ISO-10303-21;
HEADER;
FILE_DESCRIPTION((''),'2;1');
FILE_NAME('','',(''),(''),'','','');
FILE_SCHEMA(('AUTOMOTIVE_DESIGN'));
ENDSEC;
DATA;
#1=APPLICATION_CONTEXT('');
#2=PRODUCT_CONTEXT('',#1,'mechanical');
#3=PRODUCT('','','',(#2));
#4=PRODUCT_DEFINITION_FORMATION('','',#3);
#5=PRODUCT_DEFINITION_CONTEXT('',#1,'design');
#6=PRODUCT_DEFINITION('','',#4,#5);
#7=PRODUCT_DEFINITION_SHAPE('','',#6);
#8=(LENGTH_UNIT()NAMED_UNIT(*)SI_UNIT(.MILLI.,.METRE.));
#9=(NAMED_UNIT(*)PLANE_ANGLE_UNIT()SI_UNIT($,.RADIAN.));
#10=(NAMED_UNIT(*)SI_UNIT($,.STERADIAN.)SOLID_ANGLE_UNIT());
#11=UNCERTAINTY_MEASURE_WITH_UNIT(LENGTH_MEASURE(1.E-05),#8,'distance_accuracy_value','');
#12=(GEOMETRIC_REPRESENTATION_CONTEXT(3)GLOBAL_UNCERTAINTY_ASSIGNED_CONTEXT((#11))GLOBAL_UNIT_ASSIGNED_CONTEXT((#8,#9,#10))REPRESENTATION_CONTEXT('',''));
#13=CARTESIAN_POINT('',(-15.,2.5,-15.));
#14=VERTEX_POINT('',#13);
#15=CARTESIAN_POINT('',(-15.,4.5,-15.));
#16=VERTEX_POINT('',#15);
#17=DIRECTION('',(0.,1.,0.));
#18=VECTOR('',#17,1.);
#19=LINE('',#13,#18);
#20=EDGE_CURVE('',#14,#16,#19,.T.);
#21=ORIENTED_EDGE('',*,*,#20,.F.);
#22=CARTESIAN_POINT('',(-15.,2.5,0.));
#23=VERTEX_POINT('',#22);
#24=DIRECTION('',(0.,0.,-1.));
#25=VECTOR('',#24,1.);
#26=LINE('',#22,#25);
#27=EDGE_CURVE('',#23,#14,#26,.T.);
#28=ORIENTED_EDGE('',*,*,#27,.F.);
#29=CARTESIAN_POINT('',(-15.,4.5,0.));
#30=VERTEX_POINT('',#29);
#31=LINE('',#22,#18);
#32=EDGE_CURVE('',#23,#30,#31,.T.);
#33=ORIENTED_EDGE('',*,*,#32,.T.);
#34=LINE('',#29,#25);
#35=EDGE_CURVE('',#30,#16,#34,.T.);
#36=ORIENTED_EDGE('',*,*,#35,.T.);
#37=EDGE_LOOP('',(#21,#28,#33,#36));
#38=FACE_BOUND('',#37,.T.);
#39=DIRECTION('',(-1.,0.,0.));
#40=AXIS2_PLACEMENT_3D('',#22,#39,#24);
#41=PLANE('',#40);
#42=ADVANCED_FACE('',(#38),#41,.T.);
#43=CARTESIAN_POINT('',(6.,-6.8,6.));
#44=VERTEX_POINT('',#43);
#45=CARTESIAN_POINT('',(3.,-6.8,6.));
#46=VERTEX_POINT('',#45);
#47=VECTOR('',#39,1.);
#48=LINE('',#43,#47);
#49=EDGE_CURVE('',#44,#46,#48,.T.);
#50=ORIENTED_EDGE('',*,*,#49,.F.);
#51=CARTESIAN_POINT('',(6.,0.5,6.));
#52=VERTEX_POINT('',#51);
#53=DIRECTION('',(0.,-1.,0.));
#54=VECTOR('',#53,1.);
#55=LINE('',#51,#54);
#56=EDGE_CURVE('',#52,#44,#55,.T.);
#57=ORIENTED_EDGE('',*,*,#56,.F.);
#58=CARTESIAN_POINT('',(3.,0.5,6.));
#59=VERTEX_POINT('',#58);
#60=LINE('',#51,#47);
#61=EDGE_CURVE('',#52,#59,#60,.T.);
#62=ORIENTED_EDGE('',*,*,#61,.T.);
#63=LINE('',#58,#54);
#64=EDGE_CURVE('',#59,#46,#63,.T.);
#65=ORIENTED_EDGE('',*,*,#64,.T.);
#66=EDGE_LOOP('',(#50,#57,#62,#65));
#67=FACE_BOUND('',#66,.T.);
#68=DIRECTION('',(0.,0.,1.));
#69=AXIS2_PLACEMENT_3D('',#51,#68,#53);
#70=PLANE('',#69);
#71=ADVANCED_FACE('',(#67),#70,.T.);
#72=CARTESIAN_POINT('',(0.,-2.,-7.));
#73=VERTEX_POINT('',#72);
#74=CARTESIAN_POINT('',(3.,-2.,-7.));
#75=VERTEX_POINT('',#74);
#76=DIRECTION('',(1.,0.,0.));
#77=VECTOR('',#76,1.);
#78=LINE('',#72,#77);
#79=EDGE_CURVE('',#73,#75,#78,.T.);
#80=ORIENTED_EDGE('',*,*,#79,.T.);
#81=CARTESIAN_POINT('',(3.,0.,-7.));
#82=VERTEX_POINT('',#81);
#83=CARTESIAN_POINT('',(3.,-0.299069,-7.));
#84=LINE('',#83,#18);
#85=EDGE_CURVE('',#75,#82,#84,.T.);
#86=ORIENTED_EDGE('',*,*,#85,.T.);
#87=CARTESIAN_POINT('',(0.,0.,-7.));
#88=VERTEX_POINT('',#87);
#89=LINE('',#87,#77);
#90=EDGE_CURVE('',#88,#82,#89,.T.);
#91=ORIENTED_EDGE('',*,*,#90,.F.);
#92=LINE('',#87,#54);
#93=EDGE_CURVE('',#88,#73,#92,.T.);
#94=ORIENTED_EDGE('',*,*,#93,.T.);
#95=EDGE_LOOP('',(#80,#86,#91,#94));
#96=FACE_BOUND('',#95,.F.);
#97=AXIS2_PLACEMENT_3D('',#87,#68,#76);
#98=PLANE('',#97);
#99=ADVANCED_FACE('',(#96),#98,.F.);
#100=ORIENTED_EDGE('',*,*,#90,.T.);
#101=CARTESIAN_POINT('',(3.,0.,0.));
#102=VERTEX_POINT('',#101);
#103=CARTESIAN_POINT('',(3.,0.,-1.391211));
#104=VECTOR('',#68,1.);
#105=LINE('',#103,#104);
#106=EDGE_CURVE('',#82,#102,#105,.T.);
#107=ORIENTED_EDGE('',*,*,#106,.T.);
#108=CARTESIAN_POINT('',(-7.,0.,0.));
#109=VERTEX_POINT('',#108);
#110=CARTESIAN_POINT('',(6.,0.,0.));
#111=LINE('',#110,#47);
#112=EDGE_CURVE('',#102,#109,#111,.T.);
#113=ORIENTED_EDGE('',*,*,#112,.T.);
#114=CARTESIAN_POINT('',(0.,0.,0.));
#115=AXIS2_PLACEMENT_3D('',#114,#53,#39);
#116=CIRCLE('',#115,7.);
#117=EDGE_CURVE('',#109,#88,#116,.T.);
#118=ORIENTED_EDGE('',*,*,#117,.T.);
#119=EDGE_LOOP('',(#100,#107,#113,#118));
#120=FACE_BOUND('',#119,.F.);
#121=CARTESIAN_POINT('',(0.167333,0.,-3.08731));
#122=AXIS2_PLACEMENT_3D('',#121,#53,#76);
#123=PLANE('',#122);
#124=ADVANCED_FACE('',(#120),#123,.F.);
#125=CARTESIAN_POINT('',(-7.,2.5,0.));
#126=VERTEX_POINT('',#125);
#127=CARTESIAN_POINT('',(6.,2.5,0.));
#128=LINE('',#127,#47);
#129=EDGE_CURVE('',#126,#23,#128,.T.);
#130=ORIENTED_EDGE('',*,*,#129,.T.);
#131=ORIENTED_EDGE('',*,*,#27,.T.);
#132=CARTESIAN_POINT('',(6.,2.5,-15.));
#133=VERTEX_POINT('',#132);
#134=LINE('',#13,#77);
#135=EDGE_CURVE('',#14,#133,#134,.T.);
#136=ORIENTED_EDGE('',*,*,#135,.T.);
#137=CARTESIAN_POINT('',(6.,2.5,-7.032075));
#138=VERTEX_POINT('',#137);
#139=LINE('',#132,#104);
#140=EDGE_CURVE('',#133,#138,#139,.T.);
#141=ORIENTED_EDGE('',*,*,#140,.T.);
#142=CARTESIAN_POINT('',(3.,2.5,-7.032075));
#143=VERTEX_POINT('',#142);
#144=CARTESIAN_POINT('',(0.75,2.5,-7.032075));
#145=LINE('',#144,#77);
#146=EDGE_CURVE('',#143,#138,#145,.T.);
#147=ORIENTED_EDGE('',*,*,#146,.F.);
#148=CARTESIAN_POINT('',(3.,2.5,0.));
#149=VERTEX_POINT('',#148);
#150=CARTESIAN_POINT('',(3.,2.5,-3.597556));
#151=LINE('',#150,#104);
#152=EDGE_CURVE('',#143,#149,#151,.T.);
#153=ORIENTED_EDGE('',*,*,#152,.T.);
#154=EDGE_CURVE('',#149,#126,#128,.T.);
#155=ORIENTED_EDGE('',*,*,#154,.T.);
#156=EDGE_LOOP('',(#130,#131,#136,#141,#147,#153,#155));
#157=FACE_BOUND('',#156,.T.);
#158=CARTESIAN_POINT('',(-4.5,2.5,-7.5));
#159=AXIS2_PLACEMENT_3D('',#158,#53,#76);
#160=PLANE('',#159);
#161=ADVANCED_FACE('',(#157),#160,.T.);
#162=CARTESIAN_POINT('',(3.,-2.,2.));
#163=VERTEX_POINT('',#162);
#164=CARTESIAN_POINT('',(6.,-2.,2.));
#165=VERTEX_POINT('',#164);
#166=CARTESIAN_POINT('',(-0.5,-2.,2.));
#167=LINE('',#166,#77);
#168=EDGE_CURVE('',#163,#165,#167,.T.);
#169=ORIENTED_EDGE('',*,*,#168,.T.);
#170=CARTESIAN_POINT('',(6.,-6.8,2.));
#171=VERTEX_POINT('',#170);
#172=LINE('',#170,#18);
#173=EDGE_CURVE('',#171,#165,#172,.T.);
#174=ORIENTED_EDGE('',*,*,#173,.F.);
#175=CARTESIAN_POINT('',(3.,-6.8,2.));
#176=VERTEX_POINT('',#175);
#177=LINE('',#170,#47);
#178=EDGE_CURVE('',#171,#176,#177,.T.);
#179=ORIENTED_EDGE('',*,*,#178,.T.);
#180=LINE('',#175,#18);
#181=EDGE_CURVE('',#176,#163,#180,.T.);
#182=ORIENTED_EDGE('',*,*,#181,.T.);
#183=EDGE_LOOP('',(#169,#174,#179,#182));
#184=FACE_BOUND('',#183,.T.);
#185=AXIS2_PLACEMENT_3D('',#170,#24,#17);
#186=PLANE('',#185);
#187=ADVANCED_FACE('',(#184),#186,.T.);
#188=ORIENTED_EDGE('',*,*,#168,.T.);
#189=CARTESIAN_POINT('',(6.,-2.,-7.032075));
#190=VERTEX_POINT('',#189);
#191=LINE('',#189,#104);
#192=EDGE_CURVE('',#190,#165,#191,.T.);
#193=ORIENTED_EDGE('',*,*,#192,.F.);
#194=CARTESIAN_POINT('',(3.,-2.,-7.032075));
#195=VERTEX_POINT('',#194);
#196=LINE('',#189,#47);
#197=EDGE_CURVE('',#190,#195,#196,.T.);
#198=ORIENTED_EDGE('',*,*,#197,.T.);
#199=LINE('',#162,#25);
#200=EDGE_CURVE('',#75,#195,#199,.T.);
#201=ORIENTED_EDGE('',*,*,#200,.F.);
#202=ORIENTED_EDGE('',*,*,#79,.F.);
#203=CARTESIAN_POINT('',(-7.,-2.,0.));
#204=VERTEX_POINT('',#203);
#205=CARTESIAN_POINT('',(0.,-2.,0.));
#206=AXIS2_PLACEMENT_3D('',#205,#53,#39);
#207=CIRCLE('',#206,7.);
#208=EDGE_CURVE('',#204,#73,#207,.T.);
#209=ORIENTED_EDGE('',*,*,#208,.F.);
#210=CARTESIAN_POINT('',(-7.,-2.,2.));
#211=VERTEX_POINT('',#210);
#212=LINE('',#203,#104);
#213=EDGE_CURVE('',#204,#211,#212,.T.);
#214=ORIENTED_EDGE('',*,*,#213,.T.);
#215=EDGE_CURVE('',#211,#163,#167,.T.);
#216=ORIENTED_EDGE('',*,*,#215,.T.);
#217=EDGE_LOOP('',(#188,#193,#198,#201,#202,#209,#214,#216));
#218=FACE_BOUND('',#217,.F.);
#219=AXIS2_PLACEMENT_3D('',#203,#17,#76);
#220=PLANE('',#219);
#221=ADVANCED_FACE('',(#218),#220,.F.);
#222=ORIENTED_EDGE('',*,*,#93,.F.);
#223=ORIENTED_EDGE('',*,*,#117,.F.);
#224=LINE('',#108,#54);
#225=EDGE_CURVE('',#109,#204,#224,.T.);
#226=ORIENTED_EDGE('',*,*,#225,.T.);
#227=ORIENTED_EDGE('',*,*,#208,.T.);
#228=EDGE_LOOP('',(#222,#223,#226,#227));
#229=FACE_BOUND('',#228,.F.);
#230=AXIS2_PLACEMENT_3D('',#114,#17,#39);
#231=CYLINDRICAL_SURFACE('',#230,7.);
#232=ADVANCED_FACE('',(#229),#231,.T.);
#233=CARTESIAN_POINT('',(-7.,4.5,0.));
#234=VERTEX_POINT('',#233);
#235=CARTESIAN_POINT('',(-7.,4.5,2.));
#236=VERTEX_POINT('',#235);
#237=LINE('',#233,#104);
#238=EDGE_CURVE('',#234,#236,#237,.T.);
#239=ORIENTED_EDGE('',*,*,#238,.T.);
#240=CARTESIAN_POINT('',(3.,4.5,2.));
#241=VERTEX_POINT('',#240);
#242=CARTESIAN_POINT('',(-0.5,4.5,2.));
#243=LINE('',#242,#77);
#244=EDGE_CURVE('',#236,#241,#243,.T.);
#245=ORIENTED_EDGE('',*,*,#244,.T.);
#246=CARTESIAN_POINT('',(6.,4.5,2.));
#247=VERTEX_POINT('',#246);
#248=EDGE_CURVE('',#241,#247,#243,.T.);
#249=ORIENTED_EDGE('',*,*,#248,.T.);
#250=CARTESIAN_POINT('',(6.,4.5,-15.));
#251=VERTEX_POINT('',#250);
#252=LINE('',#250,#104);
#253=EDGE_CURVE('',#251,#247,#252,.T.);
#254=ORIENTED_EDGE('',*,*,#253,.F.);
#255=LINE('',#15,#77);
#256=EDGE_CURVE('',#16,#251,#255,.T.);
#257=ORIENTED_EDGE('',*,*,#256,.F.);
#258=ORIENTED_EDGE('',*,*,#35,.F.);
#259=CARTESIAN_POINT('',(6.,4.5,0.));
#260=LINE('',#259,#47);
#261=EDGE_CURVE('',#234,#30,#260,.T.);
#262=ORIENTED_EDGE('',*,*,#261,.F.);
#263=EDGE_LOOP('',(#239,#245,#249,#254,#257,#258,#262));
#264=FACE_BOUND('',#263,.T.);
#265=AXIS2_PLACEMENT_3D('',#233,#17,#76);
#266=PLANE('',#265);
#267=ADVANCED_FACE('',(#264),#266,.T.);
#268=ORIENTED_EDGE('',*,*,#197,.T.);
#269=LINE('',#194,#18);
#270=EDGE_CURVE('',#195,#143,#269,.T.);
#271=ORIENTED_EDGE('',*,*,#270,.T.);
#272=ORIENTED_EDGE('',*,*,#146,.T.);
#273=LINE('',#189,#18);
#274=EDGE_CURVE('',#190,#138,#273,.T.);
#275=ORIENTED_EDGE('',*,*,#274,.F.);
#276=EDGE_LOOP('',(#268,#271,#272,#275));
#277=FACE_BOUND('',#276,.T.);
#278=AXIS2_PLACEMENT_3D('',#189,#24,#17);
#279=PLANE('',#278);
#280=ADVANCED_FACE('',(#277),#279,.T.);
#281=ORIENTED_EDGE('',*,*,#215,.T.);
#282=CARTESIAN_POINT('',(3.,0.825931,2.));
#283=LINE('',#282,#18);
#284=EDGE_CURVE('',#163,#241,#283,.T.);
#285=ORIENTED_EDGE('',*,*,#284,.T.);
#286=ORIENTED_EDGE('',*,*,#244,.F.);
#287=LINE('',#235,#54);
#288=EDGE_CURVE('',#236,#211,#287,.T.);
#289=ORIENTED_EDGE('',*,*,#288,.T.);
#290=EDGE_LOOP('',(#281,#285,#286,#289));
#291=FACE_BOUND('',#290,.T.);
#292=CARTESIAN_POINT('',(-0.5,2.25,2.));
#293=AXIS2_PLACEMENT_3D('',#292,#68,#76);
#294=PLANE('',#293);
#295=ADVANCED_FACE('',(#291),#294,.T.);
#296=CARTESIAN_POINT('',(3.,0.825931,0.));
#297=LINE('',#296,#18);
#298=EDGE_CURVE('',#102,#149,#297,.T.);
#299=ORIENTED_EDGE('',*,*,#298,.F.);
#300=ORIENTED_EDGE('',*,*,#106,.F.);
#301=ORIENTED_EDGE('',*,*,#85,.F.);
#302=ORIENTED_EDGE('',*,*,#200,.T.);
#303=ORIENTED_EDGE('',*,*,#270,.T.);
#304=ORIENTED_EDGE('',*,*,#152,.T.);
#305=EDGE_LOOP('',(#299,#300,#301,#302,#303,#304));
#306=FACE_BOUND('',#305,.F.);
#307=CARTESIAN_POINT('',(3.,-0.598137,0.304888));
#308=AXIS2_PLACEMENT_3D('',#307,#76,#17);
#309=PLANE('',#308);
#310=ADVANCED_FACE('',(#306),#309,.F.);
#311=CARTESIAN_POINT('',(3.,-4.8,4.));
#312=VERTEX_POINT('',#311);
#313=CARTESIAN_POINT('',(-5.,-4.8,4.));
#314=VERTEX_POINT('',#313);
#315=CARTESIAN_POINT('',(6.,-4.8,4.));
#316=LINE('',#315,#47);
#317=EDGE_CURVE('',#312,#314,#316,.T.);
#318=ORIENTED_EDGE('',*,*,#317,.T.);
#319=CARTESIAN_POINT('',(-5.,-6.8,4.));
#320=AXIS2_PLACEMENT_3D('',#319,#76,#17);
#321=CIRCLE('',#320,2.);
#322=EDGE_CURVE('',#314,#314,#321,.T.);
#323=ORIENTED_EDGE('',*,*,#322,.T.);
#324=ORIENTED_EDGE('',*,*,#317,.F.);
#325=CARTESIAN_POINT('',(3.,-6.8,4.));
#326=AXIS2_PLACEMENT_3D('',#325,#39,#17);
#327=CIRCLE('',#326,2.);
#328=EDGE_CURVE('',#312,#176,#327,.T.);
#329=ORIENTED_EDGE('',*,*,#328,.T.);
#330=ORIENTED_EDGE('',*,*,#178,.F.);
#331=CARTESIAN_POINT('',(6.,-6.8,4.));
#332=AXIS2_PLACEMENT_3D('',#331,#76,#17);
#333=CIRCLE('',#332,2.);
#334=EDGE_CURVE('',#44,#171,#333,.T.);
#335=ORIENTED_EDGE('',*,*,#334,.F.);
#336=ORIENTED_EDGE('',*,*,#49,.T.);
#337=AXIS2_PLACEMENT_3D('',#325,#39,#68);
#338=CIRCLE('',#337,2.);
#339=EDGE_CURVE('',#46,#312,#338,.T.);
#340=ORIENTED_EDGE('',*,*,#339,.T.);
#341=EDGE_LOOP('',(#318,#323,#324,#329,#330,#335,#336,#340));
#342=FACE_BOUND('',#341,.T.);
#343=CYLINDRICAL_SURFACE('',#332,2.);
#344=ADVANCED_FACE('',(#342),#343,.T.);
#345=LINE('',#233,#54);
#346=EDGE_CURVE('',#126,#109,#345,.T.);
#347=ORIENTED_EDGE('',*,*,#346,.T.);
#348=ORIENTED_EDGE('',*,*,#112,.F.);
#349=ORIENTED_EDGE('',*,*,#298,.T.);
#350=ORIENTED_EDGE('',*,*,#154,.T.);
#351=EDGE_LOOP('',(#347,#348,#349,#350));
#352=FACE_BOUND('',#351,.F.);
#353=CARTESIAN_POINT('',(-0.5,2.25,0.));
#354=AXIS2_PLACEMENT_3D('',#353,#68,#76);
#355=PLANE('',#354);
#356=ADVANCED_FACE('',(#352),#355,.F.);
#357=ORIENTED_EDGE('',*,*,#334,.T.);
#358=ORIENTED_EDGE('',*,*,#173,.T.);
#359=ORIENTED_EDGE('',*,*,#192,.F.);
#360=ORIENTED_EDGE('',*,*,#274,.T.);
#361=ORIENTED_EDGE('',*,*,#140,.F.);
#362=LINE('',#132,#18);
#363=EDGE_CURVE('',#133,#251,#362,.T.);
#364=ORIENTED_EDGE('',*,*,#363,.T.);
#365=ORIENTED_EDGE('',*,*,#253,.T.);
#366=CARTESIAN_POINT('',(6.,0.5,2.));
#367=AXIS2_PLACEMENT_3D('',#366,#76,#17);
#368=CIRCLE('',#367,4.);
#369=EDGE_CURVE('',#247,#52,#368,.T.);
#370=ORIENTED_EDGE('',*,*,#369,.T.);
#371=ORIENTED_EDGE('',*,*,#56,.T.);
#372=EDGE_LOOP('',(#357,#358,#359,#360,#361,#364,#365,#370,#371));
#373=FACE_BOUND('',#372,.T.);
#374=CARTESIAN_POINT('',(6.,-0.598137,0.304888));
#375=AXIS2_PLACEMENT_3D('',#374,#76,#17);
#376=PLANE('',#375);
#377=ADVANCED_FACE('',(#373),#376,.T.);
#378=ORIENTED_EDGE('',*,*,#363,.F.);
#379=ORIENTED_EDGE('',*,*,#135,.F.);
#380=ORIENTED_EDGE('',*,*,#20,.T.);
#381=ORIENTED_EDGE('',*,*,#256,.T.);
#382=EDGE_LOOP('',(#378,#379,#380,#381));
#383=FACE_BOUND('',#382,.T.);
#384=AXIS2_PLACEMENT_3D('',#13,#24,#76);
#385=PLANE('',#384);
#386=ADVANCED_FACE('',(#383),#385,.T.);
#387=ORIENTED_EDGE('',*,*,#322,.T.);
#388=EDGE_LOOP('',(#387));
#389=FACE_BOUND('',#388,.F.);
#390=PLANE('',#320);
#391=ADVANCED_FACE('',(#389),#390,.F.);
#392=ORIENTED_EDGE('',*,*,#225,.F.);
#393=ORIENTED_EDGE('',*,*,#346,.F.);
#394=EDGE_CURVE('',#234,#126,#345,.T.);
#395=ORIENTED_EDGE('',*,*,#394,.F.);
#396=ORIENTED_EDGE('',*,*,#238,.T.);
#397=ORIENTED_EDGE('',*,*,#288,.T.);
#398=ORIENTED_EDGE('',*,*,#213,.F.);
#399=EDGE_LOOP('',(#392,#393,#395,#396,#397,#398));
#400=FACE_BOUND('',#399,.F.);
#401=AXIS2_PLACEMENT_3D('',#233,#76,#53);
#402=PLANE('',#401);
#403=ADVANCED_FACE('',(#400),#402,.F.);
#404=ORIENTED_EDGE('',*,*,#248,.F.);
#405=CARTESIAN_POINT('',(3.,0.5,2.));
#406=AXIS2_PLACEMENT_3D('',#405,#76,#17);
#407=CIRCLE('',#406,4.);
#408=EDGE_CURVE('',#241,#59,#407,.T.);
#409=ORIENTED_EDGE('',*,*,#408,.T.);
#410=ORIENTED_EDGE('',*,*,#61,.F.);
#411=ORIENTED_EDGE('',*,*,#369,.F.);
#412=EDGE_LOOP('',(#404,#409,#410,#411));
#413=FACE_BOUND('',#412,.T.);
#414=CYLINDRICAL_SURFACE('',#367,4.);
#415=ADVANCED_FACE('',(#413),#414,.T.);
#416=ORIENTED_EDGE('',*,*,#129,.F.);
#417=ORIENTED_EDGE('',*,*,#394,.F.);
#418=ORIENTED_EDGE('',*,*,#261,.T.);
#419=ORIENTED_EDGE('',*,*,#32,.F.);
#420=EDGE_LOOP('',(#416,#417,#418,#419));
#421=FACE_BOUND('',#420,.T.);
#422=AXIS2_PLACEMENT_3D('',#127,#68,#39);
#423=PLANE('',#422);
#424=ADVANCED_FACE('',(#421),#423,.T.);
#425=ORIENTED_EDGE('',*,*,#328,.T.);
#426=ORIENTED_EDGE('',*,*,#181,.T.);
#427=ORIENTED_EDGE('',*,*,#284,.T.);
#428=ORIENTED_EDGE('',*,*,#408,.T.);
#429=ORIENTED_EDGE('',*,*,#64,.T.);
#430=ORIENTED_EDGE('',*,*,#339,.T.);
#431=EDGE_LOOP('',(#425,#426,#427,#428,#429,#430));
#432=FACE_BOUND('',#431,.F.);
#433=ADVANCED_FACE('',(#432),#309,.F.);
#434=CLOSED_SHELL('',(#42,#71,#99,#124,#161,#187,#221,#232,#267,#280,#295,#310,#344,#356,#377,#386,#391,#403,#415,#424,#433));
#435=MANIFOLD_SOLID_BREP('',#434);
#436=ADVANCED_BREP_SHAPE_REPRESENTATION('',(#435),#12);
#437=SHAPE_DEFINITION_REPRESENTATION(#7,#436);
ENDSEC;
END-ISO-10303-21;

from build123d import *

# Parameters (mm, degrees)
F3_DEPTH  = 2
F4_DEPTH  = 2
F5_W      = 13
F5_H      = 4.5
F5_H_2    = 2
F6_DEPTH  = 2
F7_R      = 2
F8_DEPTH  = 11
F10_DEPTH = 3


with BuildPart() as f3:
    # F0 (on Front) → F3 (new body)
    with BuildSketch(Plane.XZ):
        with BuildLine():
            Line((0, 0), (-7, 0))
            ThreePointArc((-7, 0), (-4.9497474683, -4.9497474683), (0, -7))
            Line((0, -7), (6, -7))
            Line((6, -7), (6, 0))
            Line((6, 0), (0, 0))
        make_face()
    extrude(amount=F3_DEPTH)



with BuildPart() as f4:
    # F2 (on offset) → F4 (new body)
    with BuildSketch(Plane.XZ.offset(-2.5)):
        Polygon((6, 0), (0, 0), (-15, 0), (-15, -15), (0, -15), (6, -15), align=None)
    extrude(amount=-F4_DEPTH)


with BuildPart() as f6:
    # F5 (on face) → F6 (new body)
    with BuildSketch(Plane.XY):
        with Locations((-0.5, 2.25)):
            Rectangle(F5_W, F5_H)
        with Locations((-0.5, -1)):
            Rectangle(F5_W, F5_H_2)
    extrude(amount=F6_DEPTH)


with BuildPart() as f8:
    # F7 (on face) → F8 (new body)
    with BuildSketch(Plane.YZ.offset(6)):
        with Locations((-6.8, 4)):
            Circle(F7_R)
    extrude(amount=-F8_DEPTH)


with BuildPart() as f3_1:
    add(f3.part)

    add(f4.part)  # F10 merges F4

    add(f6.part)  # F10 merges F6

    add(f8.part)  # F10 merges F8
    # F9 (on face) → F10 (join)
    with BuildSketch(Plane.YZ.offset(6)):
        with BuildLine():
            Line((-6.8, 2), (-2, 2))
            Line((-2, 2), (-2, -7.0320754312))
            Line((-2, -7.0320754312), (4.5, -7.0320754312))
            Line((4.5, -7.0320754312), (4.5, 2))
            ThreePointArc((4.5, 2), (3.3284271247, 4.8284271247), (0.5, 6))
            Line((0.5, 6), (-6.8, 6))
            ThreePointArc((-6.8, 6), (-5.3857864376, 5.4142135624), (-4.8, 4))
            ThreePointArc((-4.8, 4), (-5.3857864376, 2.5857864376), (-6.8, 2))
        make_face()
    extrude(amount=-F10_DEPTH)


solid = f3_1.part
